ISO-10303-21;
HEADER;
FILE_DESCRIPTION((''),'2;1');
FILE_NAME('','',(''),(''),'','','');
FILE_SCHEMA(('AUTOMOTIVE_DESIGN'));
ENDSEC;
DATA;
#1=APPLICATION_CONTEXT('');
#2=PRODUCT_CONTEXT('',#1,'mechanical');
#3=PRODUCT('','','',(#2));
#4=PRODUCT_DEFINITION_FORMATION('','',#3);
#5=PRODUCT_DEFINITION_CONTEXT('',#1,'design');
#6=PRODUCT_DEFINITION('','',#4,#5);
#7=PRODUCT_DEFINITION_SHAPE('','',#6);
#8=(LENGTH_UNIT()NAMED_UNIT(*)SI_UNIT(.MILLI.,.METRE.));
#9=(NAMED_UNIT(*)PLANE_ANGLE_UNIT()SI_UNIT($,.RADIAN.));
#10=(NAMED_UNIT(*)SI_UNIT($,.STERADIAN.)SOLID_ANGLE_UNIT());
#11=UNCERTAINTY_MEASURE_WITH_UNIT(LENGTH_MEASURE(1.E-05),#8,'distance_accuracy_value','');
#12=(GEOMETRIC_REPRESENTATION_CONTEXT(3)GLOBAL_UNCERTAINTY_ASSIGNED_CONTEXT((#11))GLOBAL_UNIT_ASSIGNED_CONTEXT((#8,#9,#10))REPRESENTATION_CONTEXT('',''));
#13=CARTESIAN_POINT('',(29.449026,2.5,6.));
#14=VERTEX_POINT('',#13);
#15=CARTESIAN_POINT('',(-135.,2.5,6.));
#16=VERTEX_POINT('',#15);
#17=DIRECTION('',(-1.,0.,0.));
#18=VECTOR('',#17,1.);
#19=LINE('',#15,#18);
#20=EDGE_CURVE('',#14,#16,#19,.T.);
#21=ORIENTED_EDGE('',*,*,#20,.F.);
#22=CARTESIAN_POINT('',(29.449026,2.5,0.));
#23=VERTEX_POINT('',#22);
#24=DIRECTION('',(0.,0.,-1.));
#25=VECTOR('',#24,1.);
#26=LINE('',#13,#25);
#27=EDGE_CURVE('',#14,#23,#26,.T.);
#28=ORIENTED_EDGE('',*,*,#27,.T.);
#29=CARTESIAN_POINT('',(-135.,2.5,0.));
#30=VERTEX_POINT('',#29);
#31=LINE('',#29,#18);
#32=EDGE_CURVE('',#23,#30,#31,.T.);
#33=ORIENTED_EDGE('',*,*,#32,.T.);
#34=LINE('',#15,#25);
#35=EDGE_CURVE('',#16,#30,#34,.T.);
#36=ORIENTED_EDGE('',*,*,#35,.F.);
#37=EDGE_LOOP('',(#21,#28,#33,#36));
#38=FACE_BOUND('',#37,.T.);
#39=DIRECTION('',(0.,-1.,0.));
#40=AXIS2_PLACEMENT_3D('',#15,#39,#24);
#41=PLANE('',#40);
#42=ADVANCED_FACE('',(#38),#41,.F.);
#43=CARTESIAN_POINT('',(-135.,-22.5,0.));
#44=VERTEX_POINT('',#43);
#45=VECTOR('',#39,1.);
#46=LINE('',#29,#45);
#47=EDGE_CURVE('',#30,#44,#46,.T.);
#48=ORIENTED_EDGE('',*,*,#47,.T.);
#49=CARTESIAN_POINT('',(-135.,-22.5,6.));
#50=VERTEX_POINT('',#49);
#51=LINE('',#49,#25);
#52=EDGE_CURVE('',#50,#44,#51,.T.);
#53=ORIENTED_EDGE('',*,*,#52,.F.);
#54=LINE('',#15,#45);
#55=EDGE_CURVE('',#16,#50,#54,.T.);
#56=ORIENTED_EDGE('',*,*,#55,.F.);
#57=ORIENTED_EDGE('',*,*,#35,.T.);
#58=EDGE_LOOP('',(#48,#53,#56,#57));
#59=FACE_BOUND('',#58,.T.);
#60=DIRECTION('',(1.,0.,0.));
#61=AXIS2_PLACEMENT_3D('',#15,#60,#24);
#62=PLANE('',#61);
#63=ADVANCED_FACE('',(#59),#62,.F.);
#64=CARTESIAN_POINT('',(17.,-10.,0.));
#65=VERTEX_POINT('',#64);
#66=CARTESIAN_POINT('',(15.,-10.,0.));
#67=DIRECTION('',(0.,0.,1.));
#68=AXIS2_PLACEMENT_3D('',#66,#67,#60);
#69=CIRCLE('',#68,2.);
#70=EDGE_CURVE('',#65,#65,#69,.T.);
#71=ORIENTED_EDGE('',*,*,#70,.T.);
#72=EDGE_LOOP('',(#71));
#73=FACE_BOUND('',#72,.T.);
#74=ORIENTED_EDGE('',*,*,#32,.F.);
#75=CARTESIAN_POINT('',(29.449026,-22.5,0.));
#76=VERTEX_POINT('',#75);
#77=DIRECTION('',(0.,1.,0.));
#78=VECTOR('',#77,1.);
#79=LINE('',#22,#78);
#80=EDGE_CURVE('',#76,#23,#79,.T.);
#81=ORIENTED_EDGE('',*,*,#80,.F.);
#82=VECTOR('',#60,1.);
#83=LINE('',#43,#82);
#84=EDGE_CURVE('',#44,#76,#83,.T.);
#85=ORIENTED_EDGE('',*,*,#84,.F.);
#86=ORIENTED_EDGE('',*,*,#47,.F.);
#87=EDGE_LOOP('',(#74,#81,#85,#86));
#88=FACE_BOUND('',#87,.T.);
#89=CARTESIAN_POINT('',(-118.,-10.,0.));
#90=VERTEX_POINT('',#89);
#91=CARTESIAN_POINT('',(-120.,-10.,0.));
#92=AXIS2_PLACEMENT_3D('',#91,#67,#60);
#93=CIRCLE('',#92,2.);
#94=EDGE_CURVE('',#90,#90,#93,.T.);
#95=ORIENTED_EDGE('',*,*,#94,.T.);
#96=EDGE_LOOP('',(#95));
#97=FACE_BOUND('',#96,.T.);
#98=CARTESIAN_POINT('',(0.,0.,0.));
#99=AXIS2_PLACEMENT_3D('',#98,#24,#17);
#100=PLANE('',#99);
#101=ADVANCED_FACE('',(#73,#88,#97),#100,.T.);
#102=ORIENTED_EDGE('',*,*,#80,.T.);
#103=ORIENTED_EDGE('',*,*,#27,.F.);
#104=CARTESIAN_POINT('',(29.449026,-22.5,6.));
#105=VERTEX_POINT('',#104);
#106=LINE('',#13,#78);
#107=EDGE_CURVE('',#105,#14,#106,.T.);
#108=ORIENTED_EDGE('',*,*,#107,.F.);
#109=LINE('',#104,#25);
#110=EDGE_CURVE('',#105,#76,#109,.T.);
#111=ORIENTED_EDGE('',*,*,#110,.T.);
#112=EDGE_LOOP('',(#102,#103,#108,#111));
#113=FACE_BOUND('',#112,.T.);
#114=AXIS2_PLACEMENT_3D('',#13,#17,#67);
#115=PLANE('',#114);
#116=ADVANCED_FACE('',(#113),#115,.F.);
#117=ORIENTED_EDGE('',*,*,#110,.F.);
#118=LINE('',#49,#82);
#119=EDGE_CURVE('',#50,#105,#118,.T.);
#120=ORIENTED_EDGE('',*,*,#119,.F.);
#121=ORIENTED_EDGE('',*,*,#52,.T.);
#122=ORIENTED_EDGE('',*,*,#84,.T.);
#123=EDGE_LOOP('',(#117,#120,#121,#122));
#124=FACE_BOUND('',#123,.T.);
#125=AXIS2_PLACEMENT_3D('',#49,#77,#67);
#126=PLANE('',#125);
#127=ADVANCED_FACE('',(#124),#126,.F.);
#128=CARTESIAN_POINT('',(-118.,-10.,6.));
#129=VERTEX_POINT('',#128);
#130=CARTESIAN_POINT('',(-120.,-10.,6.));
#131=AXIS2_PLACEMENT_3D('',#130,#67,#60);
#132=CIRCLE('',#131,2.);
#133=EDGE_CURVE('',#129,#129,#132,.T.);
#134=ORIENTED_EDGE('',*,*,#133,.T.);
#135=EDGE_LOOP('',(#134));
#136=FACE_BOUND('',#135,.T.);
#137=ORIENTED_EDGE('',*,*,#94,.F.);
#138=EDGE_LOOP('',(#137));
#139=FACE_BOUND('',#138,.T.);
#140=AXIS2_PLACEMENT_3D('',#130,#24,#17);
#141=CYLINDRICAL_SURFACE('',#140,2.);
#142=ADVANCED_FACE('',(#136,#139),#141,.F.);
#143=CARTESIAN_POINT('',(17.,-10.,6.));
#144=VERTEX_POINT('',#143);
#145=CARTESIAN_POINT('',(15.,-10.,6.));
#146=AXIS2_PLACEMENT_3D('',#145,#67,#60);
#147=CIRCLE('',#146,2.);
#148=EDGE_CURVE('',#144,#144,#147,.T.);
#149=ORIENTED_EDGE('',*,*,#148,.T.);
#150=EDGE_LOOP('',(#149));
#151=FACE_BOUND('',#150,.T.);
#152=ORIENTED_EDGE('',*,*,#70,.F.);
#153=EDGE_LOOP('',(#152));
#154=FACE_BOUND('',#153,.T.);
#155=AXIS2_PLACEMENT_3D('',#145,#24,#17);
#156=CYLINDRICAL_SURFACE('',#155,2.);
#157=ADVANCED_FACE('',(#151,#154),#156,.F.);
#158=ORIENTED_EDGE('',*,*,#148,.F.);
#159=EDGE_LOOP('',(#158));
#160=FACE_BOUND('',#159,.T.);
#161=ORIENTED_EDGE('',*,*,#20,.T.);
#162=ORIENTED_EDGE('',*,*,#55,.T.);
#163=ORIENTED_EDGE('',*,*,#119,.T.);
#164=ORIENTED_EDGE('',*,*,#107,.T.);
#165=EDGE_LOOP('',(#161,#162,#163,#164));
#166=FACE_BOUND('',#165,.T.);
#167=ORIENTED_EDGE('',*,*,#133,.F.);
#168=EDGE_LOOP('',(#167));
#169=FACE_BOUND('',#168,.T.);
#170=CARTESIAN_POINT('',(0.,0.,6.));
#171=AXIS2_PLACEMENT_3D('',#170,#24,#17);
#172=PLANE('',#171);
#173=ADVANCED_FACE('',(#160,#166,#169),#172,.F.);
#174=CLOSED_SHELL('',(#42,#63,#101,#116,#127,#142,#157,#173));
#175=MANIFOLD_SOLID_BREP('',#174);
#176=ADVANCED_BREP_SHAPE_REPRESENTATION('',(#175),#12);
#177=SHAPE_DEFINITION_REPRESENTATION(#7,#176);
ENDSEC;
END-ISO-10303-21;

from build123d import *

# Parameters (mm, degrees)
SKETCH1_W           = 164.449026406
SKETCH1_H           = 25
SKETCH1_R           = 2
BOSS_EXTRUDE1_DEPTH = 6


with BuildPart() as part:
    # Sketch1 → Boss-Extrude1 (new body)
    with BuildSketch(Plane(origin=(0, 0, 0), x_dir=(-1, 0, 0), z_dir=(0, 0, 1))):
        with Locations((52.775486797, 10)):
            Rectangle(SKETCH1_W, SKETCH1_H)
        with Locations(Location((-15, 10, 0), (0, 0, 180))):
            Circle(SKETCH1_R, mode=Mode.SUBTRACT)
        with Locations(Location((120, 10, 0), (0, 0, 180))):
            Circle(SKETCH1_R, mode=Mode.SUBTRACT)
    extrude(amount=BOSS_EXTRUDE1_DEPTH)


solid = part.part
